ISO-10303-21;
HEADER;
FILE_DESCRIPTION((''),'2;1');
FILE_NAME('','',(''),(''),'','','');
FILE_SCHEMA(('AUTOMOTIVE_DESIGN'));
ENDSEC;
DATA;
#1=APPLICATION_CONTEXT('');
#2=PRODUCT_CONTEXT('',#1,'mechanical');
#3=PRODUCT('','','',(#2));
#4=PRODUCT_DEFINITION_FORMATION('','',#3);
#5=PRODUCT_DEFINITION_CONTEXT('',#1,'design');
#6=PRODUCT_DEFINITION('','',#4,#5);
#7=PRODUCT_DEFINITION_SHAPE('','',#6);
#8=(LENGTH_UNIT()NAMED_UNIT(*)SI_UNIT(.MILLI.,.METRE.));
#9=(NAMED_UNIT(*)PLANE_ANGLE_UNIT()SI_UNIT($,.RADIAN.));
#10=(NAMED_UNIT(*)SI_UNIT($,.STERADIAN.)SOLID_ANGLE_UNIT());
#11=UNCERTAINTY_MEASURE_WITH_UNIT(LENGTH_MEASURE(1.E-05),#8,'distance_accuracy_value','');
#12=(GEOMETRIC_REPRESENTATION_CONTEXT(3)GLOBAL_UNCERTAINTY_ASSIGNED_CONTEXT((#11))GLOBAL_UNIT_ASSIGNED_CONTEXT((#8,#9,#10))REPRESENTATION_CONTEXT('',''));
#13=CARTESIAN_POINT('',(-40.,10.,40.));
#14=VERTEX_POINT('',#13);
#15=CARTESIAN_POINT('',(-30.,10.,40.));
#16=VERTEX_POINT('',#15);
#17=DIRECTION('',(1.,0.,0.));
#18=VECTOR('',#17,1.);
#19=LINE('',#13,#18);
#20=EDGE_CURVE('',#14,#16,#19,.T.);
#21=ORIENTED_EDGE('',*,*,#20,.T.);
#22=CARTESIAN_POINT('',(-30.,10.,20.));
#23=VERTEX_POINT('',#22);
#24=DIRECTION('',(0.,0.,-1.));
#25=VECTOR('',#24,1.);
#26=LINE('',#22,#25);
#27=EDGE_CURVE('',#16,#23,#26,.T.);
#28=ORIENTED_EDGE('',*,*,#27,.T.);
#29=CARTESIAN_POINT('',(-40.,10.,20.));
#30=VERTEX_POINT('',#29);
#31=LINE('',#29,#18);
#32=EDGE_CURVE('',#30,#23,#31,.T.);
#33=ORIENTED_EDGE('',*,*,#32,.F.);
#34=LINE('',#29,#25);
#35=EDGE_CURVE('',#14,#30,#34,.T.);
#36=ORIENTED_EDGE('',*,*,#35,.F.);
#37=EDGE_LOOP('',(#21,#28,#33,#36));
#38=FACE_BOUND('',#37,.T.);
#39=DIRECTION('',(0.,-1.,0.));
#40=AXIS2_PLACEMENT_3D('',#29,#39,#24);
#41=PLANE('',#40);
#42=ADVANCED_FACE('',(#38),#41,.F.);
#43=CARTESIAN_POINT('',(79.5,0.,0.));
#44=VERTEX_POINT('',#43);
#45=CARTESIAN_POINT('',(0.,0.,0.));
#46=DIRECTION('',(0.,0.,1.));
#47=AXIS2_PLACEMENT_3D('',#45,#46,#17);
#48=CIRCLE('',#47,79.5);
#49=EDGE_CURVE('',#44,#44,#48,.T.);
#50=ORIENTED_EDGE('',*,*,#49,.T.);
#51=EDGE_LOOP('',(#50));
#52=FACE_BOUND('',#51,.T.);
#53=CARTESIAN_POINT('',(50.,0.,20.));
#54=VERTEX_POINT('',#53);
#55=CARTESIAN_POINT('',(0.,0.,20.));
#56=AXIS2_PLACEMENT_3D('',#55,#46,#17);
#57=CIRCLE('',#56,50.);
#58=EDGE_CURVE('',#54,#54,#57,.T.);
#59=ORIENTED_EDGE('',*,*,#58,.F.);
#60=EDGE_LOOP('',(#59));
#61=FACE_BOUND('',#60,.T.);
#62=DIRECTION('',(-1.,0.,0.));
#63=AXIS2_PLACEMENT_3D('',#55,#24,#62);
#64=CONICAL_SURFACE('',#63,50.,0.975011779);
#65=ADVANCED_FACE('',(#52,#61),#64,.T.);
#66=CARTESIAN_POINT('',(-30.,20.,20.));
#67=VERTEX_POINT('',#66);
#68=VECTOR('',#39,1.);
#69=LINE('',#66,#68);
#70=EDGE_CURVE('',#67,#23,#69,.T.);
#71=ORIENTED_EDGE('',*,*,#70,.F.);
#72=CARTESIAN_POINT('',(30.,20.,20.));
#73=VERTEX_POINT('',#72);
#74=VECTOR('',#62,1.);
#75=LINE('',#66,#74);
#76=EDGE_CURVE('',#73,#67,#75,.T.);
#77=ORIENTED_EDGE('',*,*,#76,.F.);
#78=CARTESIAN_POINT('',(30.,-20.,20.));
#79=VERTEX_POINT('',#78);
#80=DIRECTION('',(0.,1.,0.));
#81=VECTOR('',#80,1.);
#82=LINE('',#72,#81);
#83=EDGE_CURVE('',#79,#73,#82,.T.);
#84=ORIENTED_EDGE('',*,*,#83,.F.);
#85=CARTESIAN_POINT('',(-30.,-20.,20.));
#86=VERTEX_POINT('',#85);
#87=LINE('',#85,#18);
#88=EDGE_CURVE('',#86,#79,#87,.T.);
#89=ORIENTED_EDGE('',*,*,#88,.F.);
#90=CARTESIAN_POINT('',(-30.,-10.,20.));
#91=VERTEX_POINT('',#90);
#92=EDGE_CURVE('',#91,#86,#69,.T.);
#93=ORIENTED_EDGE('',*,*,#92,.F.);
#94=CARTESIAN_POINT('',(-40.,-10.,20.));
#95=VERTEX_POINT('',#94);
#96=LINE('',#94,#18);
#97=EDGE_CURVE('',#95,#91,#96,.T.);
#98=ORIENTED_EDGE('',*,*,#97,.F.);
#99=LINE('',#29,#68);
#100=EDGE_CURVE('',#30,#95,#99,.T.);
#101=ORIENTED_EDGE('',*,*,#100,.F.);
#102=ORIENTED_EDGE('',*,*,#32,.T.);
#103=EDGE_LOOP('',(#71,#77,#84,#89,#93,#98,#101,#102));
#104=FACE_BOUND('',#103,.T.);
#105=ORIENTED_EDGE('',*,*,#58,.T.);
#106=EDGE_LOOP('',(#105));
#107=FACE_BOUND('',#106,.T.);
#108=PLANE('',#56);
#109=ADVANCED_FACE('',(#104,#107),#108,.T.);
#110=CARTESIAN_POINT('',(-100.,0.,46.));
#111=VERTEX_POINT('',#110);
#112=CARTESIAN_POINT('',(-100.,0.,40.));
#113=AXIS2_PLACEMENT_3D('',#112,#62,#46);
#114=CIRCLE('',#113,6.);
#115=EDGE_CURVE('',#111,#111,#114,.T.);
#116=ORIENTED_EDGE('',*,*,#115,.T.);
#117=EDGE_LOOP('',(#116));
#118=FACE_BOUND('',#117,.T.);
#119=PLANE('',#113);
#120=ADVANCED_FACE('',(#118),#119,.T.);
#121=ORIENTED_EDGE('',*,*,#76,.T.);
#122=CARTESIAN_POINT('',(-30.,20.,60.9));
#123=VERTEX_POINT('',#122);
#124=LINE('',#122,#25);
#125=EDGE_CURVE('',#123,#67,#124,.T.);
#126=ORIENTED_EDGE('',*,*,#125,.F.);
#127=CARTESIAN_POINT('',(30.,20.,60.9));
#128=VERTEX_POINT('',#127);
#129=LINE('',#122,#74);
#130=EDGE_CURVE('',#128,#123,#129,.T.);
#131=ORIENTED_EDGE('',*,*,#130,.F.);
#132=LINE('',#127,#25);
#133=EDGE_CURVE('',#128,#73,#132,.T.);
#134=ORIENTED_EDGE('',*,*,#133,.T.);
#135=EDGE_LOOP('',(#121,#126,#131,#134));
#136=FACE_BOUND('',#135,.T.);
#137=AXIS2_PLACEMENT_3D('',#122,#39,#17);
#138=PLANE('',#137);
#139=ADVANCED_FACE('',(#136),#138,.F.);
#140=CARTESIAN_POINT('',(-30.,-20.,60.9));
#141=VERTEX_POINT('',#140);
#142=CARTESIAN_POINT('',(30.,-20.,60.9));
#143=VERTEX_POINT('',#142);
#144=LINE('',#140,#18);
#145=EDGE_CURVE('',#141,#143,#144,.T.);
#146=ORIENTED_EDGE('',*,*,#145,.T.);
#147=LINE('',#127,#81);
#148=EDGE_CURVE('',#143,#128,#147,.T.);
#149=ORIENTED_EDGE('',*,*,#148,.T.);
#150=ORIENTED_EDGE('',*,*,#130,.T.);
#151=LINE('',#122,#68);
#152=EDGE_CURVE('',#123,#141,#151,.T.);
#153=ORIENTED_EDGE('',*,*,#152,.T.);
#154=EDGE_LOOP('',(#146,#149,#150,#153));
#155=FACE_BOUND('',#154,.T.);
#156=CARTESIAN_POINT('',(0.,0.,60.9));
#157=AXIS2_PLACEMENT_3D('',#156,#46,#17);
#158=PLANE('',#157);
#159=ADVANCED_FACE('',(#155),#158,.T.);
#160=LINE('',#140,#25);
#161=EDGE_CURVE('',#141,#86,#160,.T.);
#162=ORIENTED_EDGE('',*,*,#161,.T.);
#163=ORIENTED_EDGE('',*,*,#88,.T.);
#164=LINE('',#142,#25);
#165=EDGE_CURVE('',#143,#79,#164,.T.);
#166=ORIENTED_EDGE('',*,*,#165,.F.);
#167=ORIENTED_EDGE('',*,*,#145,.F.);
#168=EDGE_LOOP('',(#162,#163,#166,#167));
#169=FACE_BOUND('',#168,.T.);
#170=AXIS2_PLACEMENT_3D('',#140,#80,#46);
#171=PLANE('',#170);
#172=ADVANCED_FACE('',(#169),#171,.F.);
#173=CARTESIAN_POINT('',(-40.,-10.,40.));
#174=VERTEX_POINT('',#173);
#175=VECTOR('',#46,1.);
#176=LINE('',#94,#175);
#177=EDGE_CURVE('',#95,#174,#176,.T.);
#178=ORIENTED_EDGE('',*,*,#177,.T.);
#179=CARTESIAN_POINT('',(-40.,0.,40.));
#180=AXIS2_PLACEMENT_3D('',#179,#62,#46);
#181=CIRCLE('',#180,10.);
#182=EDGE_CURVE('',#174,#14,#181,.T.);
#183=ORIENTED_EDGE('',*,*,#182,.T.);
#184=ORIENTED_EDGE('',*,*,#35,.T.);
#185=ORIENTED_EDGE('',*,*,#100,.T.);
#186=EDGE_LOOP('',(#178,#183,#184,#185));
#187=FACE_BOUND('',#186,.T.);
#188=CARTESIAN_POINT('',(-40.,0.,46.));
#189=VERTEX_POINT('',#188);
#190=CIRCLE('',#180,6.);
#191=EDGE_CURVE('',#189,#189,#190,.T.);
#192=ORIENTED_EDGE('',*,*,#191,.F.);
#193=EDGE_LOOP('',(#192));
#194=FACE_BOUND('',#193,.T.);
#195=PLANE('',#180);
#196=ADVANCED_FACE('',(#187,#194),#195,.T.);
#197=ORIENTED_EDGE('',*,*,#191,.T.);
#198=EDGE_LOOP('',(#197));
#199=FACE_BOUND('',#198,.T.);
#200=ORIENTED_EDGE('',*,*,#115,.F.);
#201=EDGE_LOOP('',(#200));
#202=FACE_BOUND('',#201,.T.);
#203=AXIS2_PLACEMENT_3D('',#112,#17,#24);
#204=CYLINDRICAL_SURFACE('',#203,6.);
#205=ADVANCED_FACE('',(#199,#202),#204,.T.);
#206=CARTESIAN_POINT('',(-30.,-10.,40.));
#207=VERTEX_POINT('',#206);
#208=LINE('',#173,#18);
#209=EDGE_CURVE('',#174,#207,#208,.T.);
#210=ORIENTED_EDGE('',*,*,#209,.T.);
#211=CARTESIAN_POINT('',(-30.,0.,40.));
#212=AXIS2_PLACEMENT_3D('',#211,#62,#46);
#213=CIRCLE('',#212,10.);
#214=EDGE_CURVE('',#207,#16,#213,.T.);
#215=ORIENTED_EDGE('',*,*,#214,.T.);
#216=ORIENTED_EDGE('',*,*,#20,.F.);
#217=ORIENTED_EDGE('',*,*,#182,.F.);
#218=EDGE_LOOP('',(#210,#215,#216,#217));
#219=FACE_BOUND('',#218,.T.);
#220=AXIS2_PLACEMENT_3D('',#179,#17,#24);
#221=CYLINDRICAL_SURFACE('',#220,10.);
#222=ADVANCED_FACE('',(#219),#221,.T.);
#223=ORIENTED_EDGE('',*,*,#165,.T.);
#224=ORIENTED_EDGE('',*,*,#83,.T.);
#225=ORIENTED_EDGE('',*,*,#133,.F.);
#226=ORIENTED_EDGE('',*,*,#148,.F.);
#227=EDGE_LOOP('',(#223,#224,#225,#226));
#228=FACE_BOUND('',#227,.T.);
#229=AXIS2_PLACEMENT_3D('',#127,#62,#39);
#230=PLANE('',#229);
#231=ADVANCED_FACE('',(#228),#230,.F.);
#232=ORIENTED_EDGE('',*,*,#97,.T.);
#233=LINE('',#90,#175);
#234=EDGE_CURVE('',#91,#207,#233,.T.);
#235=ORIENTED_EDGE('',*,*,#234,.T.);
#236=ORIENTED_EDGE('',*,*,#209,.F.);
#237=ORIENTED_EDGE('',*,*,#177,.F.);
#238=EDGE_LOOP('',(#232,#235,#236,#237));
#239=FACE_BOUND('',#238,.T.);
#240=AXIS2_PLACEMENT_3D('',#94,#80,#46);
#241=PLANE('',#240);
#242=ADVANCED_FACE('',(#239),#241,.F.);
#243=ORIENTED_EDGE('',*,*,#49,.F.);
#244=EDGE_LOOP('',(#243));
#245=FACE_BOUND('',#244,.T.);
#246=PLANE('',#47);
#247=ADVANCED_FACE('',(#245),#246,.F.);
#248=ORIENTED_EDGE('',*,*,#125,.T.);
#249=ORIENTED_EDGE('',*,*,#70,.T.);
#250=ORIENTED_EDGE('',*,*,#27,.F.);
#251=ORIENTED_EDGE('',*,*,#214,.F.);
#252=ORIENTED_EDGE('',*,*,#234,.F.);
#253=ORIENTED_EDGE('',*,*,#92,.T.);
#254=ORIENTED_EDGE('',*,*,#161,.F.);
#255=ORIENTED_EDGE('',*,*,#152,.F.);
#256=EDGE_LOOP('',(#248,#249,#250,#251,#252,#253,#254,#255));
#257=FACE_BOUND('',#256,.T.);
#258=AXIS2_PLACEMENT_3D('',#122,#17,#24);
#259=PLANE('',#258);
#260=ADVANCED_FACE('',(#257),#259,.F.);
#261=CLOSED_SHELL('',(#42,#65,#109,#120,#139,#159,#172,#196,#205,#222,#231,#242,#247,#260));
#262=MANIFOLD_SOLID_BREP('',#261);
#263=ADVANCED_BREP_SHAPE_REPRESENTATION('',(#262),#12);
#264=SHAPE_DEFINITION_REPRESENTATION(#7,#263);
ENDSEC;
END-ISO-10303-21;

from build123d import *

# Parameters (mm, degrees)
SKETCH_2_R      = 79.5
SKETCH_3_R      = 50
SKETCH_4_W      = 60
SKETCH_4_H      = 40
EXTRUDE_1_DEPTH = 40.9
EXTRUDE_2_DEPTH = 10
SKETCH_6_R      = 6
EXTRUDE_3_DEPTH = 60


with BuildPart() as part:
    # 草图2 → 放样1 section 0
    with BuildSketch(Plane.XY):
        Circle(SKETCH_2_R)
    # 草图3 → 放样1 section 1
    with BuildSketch(Plane.XY.offset(20)):
        Circle(SKETCH_3_R)
    loft()

    # 草图4 → 凸台-拉伸1 (add)
    with BuildSketch(Plane.XY.offset(20)):
        Rectangle(SKETCH_4_W, SKETCH_4_H)
    extrude(amount=EXTRUDE_1_DEPTH)

    # 草图5 → 凸台-拉伸2 (add)
    with BuildSketch(Plane.ZY.offset(30)):
        with BuildLine():
            Line((20, 10), (40, 10))
            ThreePointArc((40, 10), (50, 0), (40, -10))
            Line((40, -10), (20, -10))
            Line((20, -10), (20, 10))
        make_face()
    extrude(amount=EXTRUDE_2_DEPTH)

    # 草图6 → 凸台-拉伸3 (add)
    with BuildSketch(Plane.ZY.offset(40)):
        with Locations((40, 0)):
            Circle(SKETCH_6_R)
    extrude(amount=EXTRUDE_3_DEPTH)


solid = part.part
